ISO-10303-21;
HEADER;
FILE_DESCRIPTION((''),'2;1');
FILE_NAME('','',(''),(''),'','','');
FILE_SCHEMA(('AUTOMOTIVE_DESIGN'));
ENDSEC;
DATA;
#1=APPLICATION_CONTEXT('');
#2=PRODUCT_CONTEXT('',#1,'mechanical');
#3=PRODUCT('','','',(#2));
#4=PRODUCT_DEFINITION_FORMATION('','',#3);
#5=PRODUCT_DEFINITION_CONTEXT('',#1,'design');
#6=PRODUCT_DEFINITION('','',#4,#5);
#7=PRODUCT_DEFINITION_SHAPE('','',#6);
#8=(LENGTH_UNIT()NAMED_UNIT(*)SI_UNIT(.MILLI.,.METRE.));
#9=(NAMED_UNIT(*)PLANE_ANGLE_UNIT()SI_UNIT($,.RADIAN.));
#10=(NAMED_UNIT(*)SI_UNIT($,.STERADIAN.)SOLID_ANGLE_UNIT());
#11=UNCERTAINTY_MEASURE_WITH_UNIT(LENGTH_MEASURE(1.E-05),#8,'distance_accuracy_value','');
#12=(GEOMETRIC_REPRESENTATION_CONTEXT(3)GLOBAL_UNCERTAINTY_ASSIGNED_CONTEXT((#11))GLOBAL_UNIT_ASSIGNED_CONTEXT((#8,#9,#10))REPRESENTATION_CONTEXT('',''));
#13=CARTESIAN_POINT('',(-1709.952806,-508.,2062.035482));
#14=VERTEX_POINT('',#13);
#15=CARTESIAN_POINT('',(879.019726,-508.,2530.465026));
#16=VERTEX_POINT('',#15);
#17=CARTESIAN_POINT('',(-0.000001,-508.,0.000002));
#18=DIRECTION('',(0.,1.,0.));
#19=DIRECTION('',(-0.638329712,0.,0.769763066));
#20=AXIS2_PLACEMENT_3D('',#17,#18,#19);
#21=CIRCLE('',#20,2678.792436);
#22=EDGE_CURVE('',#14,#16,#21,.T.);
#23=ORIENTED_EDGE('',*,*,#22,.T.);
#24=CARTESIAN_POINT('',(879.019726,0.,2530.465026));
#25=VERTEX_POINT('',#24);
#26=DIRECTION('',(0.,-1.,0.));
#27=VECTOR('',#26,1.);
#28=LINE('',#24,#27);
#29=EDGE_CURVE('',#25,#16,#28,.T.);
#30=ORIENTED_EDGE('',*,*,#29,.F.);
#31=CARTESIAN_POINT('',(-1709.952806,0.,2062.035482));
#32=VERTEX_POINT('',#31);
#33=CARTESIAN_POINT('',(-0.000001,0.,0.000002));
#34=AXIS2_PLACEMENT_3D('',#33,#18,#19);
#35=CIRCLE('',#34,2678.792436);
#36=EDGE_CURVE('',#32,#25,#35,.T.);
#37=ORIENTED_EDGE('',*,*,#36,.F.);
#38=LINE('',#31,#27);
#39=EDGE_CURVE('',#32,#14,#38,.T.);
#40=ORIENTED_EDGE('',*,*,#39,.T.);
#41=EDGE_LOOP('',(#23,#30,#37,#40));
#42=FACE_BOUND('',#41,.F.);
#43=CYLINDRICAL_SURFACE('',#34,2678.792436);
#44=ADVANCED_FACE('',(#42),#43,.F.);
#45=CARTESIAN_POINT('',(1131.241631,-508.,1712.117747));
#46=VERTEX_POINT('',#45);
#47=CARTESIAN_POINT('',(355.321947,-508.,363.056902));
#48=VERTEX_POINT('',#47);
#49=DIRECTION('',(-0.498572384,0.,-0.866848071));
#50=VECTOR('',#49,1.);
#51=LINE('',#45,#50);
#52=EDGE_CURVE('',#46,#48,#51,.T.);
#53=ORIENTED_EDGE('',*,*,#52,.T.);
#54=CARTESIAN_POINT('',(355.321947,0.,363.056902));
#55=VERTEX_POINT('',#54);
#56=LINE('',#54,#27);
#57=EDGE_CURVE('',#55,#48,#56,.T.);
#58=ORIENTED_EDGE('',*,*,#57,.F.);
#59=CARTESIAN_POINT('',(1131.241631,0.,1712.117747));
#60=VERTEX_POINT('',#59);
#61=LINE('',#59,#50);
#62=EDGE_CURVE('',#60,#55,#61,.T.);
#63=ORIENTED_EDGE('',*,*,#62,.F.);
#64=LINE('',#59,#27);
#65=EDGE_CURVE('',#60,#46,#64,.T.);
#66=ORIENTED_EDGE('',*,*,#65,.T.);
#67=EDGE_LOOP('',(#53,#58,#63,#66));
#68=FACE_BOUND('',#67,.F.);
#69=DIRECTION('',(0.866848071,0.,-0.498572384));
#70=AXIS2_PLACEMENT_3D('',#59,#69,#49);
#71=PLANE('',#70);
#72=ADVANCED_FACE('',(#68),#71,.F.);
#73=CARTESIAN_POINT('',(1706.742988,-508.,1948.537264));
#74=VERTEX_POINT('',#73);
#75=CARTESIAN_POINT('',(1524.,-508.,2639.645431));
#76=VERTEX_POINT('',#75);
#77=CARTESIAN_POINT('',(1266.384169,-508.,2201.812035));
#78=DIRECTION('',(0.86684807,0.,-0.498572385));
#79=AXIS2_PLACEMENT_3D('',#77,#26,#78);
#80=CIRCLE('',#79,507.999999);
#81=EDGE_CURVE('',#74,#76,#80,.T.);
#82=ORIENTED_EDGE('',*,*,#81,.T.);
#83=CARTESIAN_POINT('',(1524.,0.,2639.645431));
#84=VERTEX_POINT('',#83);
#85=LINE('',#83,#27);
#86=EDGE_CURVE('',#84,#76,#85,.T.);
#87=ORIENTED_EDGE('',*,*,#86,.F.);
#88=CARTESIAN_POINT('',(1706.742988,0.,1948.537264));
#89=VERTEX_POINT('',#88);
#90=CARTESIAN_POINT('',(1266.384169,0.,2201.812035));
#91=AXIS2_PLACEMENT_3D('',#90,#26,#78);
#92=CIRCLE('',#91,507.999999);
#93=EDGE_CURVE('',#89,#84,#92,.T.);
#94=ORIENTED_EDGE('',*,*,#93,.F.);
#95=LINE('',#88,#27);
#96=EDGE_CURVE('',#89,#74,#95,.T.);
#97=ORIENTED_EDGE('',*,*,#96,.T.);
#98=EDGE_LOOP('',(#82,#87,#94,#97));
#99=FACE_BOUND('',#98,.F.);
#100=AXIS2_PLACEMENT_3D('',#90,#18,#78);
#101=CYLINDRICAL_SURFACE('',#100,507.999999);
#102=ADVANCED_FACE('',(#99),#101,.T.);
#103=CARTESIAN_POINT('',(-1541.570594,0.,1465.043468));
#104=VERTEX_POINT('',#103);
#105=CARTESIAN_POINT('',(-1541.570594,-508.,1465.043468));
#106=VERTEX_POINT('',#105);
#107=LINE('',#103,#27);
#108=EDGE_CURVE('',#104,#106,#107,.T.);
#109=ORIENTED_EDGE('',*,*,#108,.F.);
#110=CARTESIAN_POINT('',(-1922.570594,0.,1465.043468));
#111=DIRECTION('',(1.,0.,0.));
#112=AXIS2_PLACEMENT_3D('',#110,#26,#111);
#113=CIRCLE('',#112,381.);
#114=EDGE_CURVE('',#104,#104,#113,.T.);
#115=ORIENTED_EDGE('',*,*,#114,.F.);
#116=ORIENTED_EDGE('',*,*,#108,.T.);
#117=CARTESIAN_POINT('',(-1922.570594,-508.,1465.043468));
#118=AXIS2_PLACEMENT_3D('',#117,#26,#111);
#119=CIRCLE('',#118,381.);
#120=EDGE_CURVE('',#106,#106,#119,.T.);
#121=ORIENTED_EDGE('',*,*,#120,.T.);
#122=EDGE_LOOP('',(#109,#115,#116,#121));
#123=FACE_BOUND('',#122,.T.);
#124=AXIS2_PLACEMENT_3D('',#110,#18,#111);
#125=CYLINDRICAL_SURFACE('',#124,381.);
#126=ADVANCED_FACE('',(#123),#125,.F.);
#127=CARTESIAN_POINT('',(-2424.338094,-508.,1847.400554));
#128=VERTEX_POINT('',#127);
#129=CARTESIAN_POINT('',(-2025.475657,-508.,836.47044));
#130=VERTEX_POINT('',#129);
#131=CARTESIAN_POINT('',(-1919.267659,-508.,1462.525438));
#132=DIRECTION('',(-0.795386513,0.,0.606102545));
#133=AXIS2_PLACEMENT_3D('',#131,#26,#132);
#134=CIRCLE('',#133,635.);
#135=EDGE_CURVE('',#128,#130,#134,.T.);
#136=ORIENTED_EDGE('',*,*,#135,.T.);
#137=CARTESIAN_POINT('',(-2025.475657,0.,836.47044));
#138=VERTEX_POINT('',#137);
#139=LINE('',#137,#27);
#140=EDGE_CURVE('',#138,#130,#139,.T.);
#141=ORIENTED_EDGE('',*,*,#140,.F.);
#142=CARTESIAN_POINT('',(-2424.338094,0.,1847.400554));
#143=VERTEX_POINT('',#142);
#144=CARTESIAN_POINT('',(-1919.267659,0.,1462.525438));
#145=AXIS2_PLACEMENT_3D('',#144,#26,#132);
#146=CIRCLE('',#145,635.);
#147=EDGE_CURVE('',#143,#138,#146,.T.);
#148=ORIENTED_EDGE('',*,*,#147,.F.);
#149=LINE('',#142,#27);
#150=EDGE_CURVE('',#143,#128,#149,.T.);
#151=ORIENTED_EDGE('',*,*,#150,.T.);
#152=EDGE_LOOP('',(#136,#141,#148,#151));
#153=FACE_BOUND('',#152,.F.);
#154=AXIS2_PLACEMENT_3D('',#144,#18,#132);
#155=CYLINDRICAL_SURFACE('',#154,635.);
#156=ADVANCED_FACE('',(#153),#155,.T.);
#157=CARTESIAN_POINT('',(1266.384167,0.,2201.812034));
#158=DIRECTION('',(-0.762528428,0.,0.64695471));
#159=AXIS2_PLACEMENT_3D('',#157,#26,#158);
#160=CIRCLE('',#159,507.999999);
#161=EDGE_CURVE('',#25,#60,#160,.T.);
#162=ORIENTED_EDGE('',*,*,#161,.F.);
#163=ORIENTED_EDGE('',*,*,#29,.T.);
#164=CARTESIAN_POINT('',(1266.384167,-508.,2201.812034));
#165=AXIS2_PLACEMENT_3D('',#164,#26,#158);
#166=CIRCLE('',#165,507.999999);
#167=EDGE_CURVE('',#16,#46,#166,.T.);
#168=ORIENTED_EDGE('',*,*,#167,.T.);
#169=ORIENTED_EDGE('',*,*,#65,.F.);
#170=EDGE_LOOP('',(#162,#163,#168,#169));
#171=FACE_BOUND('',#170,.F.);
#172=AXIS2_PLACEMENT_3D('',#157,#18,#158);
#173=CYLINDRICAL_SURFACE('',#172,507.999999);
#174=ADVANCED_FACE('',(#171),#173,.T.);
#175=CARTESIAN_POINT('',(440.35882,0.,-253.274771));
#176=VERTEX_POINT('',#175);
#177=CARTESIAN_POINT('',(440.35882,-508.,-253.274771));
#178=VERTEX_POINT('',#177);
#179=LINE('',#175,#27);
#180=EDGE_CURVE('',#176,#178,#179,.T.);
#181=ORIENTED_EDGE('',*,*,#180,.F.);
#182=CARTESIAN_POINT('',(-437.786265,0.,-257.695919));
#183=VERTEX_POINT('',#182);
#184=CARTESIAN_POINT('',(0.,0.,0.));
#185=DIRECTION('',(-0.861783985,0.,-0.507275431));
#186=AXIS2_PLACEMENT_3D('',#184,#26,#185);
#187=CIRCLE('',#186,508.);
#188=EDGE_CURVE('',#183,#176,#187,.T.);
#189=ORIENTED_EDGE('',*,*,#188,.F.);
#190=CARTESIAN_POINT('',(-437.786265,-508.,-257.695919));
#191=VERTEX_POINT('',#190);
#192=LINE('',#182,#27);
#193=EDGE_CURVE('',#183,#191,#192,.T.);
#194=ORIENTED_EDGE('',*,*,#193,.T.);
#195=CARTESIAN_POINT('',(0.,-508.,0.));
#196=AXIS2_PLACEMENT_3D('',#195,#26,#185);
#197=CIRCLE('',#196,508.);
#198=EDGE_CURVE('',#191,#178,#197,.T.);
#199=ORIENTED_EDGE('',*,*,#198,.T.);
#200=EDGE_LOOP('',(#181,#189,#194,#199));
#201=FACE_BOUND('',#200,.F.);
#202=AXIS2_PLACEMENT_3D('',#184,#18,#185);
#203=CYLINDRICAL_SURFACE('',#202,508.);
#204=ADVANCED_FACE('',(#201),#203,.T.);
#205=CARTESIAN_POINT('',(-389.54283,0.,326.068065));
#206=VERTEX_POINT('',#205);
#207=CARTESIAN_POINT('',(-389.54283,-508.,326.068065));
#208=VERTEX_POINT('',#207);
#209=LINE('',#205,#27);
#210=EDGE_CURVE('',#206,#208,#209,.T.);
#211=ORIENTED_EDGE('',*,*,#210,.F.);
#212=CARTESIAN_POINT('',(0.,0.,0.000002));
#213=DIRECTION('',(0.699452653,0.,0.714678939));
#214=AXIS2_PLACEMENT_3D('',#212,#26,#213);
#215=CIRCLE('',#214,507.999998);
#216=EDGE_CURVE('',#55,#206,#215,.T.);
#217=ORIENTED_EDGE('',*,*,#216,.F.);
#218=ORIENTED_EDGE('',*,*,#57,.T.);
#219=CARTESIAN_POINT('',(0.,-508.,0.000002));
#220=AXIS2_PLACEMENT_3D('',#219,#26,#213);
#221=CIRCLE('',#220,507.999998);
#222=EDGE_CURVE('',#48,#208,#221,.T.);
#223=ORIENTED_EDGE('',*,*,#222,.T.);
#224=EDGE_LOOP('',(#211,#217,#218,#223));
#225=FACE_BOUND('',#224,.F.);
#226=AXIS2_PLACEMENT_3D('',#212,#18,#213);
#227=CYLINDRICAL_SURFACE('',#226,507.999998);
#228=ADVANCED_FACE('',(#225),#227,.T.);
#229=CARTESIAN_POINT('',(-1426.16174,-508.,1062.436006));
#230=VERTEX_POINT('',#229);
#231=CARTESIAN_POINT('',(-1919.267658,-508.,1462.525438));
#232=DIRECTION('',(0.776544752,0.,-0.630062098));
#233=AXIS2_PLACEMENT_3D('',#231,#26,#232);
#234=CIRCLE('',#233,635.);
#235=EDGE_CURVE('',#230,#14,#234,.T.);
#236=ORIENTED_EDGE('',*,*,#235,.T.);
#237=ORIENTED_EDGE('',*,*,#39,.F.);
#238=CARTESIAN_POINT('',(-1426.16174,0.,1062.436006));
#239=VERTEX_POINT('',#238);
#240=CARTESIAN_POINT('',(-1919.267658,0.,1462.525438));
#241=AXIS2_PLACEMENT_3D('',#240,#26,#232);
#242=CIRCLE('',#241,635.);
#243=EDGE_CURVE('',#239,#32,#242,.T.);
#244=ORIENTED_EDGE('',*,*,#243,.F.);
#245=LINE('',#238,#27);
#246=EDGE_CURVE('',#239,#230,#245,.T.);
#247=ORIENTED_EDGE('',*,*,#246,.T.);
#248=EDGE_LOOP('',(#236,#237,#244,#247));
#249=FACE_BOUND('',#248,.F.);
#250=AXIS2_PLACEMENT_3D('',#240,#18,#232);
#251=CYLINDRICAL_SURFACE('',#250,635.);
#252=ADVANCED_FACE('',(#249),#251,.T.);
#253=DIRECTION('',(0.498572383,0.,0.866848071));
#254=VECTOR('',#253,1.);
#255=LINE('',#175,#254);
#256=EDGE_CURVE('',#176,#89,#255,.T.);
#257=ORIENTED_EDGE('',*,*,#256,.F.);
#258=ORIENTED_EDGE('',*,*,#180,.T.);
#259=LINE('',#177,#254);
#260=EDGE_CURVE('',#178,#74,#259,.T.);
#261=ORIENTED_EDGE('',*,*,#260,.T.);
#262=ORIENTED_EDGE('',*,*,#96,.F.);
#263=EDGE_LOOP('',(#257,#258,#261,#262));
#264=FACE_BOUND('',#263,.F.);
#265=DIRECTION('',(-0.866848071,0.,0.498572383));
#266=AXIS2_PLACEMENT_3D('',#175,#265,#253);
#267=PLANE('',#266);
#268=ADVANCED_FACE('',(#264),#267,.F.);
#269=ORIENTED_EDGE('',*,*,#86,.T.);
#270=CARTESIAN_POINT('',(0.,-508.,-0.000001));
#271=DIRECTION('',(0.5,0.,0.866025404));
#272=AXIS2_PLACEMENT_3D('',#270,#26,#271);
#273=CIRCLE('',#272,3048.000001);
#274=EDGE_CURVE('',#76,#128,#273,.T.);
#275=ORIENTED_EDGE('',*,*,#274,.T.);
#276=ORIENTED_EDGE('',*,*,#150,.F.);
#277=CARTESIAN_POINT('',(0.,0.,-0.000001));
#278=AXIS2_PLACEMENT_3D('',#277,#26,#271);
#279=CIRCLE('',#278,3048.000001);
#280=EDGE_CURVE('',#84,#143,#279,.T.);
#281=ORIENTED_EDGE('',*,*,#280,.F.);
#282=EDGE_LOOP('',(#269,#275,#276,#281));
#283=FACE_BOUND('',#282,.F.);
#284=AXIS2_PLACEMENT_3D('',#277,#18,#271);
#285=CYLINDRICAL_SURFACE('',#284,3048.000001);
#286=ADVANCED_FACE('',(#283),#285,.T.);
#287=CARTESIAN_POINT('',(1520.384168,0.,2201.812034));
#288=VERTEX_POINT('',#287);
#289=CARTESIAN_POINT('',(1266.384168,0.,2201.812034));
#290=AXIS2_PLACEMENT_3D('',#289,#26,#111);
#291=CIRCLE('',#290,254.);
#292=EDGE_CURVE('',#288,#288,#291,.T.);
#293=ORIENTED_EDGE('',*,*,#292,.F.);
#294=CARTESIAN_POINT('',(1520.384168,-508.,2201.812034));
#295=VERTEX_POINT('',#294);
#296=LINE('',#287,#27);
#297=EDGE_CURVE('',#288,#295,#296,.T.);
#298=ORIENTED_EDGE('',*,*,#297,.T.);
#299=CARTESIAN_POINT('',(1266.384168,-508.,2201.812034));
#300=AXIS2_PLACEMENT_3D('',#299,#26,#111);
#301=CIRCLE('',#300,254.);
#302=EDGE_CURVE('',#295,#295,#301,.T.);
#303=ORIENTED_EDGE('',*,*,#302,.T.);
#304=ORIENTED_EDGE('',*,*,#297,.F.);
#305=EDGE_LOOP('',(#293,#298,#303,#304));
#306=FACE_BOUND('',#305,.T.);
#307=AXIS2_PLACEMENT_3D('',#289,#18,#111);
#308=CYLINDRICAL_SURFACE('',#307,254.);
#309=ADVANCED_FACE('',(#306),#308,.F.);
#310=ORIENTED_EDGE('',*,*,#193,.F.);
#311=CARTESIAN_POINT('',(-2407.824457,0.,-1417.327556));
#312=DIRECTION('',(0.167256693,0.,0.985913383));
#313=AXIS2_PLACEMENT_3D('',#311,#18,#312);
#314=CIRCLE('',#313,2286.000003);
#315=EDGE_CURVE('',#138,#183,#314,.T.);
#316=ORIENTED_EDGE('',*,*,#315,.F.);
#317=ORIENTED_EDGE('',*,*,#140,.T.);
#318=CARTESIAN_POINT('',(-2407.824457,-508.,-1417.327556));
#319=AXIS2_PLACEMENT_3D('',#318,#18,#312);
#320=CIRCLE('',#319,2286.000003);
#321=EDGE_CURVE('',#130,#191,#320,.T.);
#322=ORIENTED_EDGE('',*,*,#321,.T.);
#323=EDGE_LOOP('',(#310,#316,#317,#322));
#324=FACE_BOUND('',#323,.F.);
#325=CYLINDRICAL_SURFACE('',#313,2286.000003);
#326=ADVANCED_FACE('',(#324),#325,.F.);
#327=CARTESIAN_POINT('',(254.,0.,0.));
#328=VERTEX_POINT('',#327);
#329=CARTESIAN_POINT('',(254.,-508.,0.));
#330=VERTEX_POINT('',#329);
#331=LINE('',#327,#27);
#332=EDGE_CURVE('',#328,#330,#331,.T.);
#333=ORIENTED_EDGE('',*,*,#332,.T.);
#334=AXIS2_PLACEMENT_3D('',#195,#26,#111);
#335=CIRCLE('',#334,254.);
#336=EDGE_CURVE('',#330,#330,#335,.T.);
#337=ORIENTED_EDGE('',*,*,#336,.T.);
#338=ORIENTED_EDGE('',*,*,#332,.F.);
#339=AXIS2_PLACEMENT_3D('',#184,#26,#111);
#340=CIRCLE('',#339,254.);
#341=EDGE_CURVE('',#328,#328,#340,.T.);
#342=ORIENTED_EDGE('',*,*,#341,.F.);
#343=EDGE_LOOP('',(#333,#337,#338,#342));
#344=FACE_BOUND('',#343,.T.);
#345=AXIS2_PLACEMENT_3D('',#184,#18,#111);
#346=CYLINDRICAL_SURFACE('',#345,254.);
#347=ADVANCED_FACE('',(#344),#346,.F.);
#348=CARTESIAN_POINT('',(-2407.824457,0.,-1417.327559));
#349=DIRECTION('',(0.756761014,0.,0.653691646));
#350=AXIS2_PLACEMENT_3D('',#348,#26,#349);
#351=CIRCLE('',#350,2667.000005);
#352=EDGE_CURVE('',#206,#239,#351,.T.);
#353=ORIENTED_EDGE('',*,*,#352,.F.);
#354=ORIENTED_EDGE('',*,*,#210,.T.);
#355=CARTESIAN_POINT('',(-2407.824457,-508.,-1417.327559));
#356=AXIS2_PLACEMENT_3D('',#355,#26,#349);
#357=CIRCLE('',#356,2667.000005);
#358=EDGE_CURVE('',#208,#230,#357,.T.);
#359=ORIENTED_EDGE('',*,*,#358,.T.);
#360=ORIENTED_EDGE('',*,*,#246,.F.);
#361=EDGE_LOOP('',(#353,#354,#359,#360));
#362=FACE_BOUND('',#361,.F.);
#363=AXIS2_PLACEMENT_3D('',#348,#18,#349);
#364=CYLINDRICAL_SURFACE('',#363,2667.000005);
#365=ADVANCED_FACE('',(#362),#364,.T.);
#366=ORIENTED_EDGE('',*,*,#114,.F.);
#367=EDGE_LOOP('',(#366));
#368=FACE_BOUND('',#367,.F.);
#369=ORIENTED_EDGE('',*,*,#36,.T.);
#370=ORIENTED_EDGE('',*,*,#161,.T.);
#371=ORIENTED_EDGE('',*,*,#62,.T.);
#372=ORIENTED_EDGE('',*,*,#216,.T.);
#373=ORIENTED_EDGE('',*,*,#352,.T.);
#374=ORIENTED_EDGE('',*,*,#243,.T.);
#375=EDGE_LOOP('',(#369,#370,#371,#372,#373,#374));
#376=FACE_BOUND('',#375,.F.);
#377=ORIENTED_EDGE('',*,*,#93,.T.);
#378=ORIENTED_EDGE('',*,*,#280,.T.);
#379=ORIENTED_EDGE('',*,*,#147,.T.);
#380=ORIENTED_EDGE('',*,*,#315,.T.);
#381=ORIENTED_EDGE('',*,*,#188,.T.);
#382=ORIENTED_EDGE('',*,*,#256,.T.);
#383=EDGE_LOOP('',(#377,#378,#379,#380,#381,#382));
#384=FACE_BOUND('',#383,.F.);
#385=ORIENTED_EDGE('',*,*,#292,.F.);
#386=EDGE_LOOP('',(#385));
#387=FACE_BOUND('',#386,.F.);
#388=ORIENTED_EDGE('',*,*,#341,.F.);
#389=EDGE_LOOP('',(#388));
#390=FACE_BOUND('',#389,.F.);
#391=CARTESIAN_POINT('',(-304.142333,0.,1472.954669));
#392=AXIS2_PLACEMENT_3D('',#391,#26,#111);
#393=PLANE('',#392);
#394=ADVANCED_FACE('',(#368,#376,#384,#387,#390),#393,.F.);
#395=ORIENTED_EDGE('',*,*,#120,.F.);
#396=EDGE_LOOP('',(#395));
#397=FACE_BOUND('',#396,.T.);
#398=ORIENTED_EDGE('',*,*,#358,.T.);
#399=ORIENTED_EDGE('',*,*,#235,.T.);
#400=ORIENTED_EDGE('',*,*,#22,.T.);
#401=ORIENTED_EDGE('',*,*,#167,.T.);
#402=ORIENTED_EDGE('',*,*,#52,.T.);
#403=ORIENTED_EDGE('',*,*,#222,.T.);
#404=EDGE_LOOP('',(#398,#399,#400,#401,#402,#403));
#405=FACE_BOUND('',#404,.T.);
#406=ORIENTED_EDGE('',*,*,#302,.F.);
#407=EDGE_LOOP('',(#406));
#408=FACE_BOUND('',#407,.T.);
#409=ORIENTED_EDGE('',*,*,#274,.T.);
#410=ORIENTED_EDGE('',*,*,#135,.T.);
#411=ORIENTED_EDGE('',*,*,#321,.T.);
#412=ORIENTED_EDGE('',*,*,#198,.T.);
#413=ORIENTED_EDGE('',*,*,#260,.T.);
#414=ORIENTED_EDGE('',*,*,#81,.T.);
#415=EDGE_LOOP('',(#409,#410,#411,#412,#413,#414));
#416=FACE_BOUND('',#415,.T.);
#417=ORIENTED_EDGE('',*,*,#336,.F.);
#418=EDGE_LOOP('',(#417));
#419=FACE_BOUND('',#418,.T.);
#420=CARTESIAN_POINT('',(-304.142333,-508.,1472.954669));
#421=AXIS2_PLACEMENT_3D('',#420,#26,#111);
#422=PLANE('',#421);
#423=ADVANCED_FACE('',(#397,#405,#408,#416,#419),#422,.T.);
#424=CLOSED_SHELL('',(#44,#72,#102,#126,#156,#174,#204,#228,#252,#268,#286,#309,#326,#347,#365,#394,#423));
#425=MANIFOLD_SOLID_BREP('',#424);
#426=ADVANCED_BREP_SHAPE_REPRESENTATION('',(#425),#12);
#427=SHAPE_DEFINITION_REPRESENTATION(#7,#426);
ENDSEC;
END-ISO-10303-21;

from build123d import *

# Parameters (mm, degrees)
F0_R     = 254
F0_R_2   = 381
F1_DEPTH = 508


with BuildPart() as f1:
    # F0 (on Front) → F1 (new body)
    with BuildSketch(Plane.XZ):
        with BuildLine():
            ThreePointArc((1706.742988, 1948.537264), (1757.505109, 2331.674352), (1524, 2639.645431))
            ThreePointArc((1524, 2639.645431), (-599.637522, 2988.434179), (-2424.338094, 1847.400554))
            ThreePointArc((-2424.338094, 1847.400554), (-2509.953916, 1229.470198), (-2025.475657, 836.47044))
            ThreePointArc((-2025.475657, 836.47044), (-1110.623183, 464.975519), (-437.786265, -257.695919))
            ThreePointArc((-437.786265, -257.695919), (2.557567, -507.993562), (440.35882, -253.274771))
            Line((440.35882, -253.274771), (1706.742988, 1948.537264))
        make_face()
        Circle(F0_R, mode=Mode.SUBTRACT)
        with Locations((-1922.570594, 1465.043468)):
            Circle(F0_R_2, mode=Mode.SUBTRACT)
        with BuildLine():
            ThreePointArc((-1709.952806, 2062.035482), (-476.937108, 2635.993157), (879.019726, 2530.465026))
            ThreePointArc((879.019726, 2530.465026), (780.918975, 2052.187347), (1131.241631, 1712.117747))
            Line((1131.241631, 1712.117747), (355.321947, 363.056902))
            ThreePointArc((355.321947, 363.056902), (-25.19545, 507.374802), (-389.54283, 326.068065))
            ThreePointArc((-389.54283, 326.068065), (-863.325848, 756.933942), (-1426.16174, 1062.436006))
            ThreePointArc((-1426.16174, 1062.436006), (-1308.408826, 1635.951179), (-1709.952806, 2062.035482))
        make_face(mode=Mode.SUBTRACT)
        with Locations((1266.384168, 2201.812034)):
            Circle(F0_R, mode=Mode.SUBTRACT)
    extrude(amount=F1_DEPTH)


solid = f1.part
